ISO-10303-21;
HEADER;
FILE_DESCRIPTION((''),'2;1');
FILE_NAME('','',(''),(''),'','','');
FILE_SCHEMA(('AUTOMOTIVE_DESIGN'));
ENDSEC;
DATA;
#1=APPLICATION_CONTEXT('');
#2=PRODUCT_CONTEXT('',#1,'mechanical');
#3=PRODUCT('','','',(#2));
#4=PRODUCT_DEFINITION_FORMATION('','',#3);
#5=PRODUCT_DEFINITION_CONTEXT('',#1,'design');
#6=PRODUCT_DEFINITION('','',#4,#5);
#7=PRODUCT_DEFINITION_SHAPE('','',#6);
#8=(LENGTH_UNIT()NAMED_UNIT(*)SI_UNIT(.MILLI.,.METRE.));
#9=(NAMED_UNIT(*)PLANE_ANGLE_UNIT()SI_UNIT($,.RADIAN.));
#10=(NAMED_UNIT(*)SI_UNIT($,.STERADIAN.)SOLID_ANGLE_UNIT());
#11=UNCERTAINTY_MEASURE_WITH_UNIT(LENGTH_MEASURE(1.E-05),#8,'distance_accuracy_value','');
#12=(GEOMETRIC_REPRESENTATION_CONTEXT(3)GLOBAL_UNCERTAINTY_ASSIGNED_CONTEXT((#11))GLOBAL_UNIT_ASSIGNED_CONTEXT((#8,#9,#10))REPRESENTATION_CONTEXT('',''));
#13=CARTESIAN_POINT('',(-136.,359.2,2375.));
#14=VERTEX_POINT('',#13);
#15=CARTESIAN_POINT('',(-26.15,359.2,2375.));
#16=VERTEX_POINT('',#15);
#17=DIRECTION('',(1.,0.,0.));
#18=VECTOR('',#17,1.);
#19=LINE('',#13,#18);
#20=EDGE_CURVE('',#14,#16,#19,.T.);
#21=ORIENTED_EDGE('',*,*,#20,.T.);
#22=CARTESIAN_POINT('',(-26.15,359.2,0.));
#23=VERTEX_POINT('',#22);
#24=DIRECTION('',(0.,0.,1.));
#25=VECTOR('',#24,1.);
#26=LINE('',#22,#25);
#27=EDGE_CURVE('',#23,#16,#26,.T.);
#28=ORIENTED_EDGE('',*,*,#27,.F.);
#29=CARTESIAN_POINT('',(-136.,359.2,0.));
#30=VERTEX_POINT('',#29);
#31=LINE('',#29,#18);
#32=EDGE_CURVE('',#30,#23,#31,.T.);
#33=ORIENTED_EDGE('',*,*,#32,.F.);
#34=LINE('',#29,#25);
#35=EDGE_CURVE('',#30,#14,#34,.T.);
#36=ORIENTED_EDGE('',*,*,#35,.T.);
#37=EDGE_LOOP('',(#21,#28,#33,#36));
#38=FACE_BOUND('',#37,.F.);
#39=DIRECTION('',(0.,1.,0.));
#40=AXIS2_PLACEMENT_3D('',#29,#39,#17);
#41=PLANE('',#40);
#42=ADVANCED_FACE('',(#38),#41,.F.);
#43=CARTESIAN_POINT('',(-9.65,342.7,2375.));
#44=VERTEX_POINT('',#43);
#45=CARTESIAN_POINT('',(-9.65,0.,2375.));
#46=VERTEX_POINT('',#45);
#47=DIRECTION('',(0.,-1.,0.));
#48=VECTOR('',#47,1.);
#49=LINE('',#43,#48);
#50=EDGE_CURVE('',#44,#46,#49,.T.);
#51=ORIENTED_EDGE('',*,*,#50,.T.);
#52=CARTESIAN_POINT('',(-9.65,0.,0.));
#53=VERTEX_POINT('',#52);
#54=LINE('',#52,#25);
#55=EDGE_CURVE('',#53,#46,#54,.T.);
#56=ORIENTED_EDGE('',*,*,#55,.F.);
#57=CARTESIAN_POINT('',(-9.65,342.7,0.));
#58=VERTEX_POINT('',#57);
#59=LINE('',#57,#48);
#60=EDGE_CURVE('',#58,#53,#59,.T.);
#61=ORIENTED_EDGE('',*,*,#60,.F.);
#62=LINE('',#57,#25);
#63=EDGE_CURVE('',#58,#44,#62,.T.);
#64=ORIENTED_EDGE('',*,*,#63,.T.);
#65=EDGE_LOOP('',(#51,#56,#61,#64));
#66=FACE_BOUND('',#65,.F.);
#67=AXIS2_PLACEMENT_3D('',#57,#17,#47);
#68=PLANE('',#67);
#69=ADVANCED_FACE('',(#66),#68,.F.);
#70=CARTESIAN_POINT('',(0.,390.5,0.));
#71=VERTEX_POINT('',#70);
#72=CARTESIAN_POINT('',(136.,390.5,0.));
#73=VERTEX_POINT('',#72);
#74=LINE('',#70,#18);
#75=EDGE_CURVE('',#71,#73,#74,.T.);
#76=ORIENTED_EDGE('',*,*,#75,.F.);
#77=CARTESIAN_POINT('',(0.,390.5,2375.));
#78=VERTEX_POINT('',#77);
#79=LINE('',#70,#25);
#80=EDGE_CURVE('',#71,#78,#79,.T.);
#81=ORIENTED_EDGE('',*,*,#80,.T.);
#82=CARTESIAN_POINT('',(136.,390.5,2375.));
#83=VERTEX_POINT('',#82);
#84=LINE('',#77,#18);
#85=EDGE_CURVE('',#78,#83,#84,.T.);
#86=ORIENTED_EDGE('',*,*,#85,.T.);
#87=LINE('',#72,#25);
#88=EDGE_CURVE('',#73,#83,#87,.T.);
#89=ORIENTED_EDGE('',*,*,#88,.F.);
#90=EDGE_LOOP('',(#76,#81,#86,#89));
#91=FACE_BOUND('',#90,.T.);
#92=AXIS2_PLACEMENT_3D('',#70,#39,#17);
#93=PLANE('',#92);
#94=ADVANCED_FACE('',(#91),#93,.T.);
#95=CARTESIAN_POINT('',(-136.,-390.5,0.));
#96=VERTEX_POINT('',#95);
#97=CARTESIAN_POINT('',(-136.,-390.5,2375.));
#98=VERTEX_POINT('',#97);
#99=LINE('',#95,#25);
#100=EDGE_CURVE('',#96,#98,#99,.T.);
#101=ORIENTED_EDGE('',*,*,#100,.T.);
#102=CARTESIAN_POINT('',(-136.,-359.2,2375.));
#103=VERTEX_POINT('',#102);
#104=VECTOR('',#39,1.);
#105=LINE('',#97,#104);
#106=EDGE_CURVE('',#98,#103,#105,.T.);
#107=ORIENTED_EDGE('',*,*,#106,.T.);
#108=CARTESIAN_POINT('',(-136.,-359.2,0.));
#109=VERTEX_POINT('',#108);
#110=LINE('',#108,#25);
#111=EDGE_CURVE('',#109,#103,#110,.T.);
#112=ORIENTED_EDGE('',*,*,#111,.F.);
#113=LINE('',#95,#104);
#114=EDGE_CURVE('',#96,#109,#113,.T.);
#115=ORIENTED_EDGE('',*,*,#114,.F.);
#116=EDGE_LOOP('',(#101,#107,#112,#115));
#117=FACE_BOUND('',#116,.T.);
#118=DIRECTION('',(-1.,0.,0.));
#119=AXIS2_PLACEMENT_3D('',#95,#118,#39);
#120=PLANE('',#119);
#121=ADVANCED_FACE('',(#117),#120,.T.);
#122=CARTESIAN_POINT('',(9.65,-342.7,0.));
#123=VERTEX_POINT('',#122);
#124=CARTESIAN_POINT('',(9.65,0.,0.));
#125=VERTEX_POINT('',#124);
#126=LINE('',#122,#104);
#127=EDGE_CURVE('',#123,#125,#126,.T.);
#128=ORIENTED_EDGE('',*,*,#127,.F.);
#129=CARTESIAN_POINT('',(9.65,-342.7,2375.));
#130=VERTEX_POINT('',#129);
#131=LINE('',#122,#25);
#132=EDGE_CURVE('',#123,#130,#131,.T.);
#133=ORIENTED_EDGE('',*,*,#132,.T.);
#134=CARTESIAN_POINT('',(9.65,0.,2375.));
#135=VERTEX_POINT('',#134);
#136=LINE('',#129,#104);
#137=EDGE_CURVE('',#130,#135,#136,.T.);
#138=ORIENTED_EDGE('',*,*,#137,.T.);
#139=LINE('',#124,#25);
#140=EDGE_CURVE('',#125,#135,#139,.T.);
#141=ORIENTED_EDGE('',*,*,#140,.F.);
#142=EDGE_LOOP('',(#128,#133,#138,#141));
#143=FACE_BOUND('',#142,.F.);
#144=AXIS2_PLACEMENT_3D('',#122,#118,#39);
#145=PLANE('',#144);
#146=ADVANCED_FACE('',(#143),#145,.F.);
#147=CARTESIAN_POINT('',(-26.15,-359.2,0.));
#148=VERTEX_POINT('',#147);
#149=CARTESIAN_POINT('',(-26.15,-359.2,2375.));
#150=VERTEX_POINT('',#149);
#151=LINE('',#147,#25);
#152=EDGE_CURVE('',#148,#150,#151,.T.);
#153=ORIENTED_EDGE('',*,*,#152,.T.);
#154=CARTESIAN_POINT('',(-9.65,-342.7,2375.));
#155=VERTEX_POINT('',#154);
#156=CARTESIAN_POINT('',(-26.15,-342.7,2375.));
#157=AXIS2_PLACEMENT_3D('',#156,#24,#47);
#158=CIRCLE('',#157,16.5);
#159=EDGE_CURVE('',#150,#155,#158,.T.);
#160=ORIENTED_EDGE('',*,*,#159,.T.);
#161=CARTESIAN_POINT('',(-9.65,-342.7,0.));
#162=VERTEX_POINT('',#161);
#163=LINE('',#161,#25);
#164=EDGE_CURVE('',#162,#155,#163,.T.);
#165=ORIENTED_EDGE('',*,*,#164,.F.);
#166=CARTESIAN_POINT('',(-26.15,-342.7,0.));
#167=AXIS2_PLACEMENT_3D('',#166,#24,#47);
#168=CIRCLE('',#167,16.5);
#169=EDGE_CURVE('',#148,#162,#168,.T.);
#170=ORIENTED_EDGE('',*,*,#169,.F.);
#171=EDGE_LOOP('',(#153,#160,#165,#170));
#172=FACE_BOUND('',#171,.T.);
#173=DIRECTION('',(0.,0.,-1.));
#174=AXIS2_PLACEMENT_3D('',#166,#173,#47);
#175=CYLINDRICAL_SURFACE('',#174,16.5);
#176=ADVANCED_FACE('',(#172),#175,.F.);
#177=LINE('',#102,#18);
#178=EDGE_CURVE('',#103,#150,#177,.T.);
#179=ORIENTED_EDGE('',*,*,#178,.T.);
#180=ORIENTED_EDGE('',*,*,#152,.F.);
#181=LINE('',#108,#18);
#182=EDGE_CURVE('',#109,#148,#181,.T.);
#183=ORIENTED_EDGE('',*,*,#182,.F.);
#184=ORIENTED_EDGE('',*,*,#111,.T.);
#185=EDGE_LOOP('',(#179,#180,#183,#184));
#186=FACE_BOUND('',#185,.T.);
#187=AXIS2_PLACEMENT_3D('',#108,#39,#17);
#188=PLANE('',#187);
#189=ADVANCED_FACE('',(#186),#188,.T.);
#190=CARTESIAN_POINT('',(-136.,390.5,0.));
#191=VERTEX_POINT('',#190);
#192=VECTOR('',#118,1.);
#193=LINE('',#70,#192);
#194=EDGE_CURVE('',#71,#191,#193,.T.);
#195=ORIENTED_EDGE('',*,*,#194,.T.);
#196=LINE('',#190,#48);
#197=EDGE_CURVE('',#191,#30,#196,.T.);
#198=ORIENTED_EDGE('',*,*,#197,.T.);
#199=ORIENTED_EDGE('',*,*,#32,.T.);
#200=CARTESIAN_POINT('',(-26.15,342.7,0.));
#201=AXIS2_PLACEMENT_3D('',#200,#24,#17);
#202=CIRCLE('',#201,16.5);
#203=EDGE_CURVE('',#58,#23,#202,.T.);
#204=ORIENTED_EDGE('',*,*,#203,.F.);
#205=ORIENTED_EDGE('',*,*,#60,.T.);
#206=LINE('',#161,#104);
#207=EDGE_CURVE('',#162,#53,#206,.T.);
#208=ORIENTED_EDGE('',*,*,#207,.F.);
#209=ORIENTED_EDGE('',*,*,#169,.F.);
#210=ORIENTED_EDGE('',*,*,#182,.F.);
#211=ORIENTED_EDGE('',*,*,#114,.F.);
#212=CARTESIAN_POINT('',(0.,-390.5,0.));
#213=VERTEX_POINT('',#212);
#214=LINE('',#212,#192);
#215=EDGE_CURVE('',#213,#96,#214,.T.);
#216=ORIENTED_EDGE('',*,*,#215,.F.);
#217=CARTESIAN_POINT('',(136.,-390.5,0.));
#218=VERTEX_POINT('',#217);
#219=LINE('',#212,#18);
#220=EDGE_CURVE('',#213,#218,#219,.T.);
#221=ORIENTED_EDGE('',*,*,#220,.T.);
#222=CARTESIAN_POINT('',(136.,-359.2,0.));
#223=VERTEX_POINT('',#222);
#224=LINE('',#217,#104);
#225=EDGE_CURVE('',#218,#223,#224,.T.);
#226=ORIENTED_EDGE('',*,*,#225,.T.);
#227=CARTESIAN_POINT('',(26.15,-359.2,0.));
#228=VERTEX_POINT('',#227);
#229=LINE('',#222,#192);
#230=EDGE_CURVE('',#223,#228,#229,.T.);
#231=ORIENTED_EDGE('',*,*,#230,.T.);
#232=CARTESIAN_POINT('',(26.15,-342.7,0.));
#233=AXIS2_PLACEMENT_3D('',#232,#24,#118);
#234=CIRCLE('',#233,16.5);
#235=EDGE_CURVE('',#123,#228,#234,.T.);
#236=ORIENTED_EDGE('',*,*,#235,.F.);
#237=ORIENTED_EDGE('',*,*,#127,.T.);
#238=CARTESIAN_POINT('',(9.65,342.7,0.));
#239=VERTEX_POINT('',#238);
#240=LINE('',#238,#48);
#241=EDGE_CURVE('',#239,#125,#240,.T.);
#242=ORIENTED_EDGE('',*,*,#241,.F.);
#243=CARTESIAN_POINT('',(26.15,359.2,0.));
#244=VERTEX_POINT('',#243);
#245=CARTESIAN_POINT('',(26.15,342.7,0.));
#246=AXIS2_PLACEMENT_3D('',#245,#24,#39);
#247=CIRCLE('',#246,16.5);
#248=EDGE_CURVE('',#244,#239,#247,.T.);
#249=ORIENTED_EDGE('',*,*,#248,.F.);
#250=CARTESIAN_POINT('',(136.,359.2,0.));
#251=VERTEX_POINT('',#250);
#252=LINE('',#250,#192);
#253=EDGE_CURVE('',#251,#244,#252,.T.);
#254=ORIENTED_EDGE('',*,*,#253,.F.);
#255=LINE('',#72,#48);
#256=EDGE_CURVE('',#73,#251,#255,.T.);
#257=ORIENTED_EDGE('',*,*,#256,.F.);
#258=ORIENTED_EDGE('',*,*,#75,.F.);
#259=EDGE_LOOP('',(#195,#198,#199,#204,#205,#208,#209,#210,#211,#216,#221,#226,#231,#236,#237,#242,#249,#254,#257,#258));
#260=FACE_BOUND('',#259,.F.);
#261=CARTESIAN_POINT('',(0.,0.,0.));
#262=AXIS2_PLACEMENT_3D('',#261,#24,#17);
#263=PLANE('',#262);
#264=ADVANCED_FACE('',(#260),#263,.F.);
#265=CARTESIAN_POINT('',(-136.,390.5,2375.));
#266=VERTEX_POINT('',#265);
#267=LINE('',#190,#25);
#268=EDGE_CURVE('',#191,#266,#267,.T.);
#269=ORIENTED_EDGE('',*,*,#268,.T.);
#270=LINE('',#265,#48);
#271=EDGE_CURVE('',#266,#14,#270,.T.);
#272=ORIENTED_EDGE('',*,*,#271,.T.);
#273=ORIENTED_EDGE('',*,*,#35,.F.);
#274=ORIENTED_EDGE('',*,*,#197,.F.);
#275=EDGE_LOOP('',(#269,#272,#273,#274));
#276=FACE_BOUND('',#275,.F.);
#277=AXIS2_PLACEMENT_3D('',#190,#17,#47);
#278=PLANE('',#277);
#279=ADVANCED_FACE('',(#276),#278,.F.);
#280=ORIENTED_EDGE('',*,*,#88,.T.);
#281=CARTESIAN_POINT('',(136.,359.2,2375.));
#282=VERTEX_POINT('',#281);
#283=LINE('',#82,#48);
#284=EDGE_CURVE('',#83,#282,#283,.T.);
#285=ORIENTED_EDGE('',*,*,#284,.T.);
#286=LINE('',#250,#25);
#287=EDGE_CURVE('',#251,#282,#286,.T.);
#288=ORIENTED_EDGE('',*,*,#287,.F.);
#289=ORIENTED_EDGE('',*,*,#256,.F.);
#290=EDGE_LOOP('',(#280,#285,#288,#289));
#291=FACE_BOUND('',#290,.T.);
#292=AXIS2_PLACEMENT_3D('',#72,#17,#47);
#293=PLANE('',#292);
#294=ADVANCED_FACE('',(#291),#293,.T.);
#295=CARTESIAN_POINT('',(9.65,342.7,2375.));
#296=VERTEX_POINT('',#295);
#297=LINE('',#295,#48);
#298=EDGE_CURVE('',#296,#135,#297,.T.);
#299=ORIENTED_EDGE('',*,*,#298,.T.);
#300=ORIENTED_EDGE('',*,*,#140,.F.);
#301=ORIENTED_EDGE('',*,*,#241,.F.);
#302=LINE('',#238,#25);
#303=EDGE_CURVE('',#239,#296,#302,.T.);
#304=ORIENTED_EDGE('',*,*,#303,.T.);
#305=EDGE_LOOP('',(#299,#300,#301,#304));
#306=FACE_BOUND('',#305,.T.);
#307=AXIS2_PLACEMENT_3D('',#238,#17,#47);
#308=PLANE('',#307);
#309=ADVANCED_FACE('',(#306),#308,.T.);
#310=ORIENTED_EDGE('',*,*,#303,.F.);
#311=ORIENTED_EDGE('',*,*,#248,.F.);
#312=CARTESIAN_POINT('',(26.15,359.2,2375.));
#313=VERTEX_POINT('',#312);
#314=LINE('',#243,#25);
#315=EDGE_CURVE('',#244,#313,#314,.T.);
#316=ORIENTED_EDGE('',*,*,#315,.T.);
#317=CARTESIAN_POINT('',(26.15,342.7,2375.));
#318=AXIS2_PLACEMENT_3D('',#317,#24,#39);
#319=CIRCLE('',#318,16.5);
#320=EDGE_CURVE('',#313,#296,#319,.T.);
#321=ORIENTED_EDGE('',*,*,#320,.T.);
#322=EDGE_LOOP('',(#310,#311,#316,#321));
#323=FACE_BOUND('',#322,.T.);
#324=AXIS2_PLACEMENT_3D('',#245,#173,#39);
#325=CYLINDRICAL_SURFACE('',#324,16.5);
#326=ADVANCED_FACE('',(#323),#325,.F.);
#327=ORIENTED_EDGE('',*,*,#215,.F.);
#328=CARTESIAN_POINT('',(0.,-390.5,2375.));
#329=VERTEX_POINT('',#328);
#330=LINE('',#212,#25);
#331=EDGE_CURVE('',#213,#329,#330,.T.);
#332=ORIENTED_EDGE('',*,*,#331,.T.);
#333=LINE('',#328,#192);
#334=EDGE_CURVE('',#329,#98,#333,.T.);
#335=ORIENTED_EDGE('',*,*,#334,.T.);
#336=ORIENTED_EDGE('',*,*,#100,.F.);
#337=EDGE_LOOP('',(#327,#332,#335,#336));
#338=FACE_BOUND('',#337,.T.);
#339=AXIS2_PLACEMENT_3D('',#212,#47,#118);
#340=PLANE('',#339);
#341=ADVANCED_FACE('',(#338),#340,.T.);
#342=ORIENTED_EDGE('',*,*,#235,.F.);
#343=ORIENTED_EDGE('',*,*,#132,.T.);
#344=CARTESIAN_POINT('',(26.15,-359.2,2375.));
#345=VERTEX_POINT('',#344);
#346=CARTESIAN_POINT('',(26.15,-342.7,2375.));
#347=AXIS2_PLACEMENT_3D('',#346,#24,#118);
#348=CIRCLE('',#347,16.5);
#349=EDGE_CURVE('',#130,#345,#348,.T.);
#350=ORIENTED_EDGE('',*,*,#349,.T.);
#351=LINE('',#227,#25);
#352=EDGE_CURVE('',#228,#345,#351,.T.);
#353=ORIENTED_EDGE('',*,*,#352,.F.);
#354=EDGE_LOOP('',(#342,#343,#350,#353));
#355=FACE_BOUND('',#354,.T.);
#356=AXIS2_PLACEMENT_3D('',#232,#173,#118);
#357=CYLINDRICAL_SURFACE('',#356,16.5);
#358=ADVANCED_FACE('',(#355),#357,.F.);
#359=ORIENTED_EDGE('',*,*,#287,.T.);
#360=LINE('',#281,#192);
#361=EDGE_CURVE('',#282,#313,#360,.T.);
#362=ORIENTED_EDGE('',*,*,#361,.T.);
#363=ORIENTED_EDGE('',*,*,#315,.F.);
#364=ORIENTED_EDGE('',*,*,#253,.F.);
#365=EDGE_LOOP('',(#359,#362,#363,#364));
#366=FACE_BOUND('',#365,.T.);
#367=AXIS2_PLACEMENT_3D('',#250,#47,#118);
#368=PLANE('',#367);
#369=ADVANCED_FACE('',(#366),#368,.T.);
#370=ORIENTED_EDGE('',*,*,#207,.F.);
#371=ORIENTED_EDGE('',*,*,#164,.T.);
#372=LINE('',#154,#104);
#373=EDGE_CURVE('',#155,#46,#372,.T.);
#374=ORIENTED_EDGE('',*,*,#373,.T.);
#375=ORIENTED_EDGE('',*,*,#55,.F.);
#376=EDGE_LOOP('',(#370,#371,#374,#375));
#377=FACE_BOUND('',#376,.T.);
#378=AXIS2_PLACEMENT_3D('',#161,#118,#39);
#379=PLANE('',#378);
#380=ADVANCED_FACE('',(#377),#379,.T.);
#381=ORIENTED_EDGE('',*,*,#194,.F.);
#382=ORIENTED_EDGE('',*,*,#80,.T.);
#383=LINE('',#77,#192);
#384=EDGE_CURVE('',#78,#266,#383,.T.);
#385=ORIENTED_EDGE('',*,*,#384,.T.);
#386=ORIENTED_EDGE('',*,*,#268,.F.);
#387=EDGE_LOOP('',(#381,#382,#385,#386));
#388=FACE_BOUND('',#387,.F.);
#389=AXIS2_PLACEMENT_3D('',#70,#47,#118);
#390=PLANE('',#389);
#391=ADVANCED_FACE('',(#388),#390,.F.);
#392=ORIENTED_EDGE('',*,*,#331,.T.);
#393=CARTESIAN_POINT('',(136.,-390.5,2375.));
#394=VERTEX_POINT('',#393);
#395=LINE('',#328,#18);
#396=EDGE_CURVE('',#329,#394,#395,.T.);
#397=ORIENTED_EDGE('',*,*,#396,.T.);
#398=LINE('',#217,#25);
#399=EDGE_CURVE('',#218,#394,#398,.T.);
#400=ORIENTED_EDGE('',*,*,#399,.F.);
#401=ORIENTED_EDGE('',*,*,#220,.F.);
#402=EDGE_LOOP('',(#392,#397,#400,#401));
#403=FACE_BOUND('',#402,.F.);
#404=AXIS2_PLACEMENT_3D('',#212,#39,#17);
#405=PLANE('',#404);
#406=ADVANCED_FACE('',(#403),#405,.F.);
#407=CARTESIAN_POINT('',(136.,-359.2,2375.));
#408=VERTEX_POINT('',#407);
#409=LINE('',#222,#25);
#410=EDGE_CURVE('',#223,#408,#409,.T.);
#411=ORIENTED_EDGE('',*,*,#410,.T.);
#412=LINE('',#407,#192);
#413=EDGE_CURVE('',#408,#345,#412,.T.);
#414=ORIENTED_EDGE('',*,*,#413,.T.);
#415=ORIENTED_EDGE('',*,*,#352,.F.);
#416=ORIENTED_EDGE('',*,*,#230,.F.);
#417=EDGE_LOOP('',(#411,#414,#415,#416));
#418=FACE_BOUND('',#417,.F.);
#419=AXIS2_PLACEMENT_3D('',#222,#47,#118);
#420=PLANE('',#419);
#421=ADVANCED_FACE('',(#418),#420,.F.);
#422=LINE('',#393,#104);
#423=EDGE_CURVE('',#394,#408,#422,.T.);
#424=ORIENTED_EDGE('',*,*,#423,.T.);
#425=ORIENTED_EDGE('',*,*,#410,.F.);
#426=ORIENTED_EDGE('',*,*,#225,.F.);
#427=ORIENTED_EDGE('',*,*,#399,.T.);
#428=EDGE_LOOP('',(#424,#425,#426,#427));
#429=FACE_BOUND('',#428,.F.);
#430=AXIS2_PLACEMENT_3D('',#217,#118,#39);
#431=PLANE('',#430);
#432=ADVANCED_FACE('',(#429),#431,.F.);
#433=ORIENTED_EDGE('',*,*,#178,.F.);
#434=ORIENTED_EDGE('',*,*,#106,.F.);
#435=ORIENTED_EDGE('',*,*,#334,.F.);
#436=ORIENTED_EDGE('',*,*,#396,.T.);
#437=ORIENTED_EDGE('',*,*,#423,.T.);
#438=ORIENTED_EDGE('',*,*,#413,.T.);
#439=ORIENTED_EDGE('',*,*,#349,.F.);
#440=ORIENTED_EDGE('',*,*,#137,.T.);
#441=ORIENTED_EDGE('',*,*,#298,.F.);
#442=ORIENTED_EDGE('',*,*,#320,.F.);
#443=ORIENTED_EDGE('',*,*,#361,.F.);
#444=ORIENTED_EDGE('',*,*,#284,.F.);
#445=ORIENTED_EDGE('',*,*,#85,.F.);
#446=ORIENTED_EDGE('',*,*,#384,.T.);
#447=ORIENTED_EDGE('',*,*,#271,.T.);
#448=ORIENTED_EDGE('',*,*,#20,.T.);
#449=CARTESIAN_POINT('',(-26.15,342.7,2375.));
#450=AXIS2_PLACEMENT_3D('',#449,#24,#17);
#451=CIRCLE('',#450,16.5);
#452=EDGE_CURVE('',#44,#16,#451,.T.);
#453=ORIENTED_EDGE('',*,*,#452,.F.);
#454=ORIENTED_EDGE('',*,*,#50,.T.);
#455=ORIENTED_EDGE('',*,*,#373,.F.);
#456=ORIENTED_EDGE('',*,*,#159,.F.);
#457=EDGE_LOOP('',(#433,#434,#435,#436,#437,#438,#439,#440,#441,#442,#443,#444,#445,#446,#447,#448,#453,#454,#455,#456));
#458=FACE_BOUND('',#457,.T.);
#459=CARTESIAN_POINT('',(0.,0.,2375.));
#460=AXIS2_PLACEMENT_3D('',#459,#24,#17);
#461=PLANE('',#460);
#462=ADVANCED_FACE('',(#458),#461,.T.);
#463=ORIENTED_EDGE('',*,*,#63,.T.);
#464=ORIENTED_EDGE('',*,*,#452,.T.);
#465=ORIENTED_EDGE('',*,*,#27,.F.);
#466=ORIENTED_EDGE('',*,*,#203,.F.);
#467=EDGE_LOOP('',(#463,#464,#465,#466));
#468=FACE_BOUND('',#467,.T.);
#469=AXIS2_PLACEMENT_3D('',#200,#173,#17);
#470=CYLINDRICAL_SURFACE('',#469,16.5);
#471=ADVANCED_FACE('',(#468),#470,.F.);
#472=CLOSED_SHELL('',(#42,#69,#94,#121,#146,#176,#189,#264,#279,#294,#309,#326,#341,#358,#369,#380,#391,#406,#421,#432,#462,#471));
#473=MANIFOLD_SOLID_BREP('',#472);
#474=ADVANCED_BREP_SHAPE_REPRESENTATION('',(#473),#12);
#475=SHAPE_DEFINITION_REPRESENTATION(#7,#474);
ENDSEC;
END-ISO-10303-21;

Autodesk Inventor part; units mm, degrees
ref_plane "YZ Plane" through (0, 0, 0) normal (1, 0, 0) x (0, 1, 0)
ref_plane "Start plane" through (0, 0, 0) normal (0, 0, 1) x (1, 0, 0)
ref_plane "End plane" through (0, 0, 2375) normal (0, 0, 1) x (1, 0, 0)
sketch "Sketch" plane through (0, 0, 0) normal (0, 0, 1) x (1, 0, 0)
  line L0 (-136, -390.5) -> (-136, -359.2)
  line L1 (-136, -359.2) -> (-26.15, -359.2)
  line L2 (-9.65, -342.7) -> (-9.65, 0)
  line L3 (-9.65, 0) -> (0, 0) construction
  line L4 (0, 0) -> (0, -390.5) construction
  line L5 (0, -390.5) -> (-136, -390.5)
  line L6 (-60, 0) -> (80, 0) construction
  line L7 (0, -60) -> (0, 80) construction
  line L8 (136, -390.5) -> (136, -359.2)
  line L9 (136, -359.2) -> (26.15, -359.2)
  line L10 (9.65, -342.7) -> (9.65, 0)
  line L11 (9.65, 0) -> (0, 0) construction
  line L12 (0, -390.5) -> (136, -390.5)
  line L13 (-136, 390.5) -> (-136, 359.2)
  line L14 (-136, 359.2) -> (-26.15, 359.2)
  line L15 (-9.65, 342.7) -> (-9.65, 0)
  line L16 (0, 390.5) -> (-136, 390.5)
  line L17 (136, 390.5) -> (136, 359.2)
  line L18 (136, 359.2) -> (26.15, 359.2)
  line L19 (0, 390.5) -> (136, 390.5)
  line L20 (9.65, 342.7) -> (9.65, 0)
  arc A0 (-9.65, 342.7) -> (-26.15, 359.2) centre (-26.15, 342.7) ccw
  arc A1 (26.15, 359.2) -> (9.65, 342.7) centre (26.15, 342.7) ccw
  arc A2 (9.65, -342.7) -> (26.15, -359.2) centre (26.15, -342.7) ccw
  arc A3 (-26.15, -359.2) -> (-9.65, -342.7) centre (-26.15, -342.7) ccw
  line L21 (0, 108) -> (0, -88) construction
  line L22 (-88, 0) -> (108, 0) construction
  point P0 (-9.65, -359.2)
  point P1 (9.65, -359.2)
  point P2 (-9.65, 359.2)
  point P3 (9.65, 359.2)
  dimension "d1" = 390.5
  dimension "d2" = 31.3
  dimension "d3" = 136
  dimension "d4" = 9.65
  dimension "d10" = 16.5
extrude "Body" add sketch "Sketch" along normal up to surface (2375 mm away) from surface at 0
sketch "Sketch4" plane through (0, 0, 0) normal (0, 0, 1) x (1, 0, 0)
  line L0 (0, 0) -> (10, 0)
ref_plane "Work Plane3" through (0, 0, 0) normal (0, -1, 0) x (1, 0, 0)
sketch "Sketch5" plane through (0, 0, 0) normal (0, -1, 0) x (1, 0, 0)
  line L0 (-2, 0) -> (12, 0) projected
  line L1 (-2, 2375) -> (12, 2375) projected
  dimension "d14" = 2375
equation "\"d1\" = 0.5 * G_H"
equation "\"d2\" = G_T1"
equation "\"d3\" = 0.5 * G_W"
equation "\"d4\" = 0.5 * G_T"
equation "\"d10\" = G_IR"
equation "\"d5\" = G_L"
equation "\"G_W\" = 272"
equation "\"G_H\" = 781"
equation "\"G_T\" = 19.3"
equation "\"G_T1\" = 31.3"
equation "\"G_IR\" = 16.5"
equation "\"G_L\" = d14"
equation "\"G_OFFSET_START\" = 0"
equation "\"G_OFFSET_END\" = 0"
equation "\"d12\" = G_OFFSET_END + B_L"
equation "\"B_L\" = 2375"
properties part number "AS 3679-1990 - 760 UB - 244 - 2375" material "Steel, Mild"
